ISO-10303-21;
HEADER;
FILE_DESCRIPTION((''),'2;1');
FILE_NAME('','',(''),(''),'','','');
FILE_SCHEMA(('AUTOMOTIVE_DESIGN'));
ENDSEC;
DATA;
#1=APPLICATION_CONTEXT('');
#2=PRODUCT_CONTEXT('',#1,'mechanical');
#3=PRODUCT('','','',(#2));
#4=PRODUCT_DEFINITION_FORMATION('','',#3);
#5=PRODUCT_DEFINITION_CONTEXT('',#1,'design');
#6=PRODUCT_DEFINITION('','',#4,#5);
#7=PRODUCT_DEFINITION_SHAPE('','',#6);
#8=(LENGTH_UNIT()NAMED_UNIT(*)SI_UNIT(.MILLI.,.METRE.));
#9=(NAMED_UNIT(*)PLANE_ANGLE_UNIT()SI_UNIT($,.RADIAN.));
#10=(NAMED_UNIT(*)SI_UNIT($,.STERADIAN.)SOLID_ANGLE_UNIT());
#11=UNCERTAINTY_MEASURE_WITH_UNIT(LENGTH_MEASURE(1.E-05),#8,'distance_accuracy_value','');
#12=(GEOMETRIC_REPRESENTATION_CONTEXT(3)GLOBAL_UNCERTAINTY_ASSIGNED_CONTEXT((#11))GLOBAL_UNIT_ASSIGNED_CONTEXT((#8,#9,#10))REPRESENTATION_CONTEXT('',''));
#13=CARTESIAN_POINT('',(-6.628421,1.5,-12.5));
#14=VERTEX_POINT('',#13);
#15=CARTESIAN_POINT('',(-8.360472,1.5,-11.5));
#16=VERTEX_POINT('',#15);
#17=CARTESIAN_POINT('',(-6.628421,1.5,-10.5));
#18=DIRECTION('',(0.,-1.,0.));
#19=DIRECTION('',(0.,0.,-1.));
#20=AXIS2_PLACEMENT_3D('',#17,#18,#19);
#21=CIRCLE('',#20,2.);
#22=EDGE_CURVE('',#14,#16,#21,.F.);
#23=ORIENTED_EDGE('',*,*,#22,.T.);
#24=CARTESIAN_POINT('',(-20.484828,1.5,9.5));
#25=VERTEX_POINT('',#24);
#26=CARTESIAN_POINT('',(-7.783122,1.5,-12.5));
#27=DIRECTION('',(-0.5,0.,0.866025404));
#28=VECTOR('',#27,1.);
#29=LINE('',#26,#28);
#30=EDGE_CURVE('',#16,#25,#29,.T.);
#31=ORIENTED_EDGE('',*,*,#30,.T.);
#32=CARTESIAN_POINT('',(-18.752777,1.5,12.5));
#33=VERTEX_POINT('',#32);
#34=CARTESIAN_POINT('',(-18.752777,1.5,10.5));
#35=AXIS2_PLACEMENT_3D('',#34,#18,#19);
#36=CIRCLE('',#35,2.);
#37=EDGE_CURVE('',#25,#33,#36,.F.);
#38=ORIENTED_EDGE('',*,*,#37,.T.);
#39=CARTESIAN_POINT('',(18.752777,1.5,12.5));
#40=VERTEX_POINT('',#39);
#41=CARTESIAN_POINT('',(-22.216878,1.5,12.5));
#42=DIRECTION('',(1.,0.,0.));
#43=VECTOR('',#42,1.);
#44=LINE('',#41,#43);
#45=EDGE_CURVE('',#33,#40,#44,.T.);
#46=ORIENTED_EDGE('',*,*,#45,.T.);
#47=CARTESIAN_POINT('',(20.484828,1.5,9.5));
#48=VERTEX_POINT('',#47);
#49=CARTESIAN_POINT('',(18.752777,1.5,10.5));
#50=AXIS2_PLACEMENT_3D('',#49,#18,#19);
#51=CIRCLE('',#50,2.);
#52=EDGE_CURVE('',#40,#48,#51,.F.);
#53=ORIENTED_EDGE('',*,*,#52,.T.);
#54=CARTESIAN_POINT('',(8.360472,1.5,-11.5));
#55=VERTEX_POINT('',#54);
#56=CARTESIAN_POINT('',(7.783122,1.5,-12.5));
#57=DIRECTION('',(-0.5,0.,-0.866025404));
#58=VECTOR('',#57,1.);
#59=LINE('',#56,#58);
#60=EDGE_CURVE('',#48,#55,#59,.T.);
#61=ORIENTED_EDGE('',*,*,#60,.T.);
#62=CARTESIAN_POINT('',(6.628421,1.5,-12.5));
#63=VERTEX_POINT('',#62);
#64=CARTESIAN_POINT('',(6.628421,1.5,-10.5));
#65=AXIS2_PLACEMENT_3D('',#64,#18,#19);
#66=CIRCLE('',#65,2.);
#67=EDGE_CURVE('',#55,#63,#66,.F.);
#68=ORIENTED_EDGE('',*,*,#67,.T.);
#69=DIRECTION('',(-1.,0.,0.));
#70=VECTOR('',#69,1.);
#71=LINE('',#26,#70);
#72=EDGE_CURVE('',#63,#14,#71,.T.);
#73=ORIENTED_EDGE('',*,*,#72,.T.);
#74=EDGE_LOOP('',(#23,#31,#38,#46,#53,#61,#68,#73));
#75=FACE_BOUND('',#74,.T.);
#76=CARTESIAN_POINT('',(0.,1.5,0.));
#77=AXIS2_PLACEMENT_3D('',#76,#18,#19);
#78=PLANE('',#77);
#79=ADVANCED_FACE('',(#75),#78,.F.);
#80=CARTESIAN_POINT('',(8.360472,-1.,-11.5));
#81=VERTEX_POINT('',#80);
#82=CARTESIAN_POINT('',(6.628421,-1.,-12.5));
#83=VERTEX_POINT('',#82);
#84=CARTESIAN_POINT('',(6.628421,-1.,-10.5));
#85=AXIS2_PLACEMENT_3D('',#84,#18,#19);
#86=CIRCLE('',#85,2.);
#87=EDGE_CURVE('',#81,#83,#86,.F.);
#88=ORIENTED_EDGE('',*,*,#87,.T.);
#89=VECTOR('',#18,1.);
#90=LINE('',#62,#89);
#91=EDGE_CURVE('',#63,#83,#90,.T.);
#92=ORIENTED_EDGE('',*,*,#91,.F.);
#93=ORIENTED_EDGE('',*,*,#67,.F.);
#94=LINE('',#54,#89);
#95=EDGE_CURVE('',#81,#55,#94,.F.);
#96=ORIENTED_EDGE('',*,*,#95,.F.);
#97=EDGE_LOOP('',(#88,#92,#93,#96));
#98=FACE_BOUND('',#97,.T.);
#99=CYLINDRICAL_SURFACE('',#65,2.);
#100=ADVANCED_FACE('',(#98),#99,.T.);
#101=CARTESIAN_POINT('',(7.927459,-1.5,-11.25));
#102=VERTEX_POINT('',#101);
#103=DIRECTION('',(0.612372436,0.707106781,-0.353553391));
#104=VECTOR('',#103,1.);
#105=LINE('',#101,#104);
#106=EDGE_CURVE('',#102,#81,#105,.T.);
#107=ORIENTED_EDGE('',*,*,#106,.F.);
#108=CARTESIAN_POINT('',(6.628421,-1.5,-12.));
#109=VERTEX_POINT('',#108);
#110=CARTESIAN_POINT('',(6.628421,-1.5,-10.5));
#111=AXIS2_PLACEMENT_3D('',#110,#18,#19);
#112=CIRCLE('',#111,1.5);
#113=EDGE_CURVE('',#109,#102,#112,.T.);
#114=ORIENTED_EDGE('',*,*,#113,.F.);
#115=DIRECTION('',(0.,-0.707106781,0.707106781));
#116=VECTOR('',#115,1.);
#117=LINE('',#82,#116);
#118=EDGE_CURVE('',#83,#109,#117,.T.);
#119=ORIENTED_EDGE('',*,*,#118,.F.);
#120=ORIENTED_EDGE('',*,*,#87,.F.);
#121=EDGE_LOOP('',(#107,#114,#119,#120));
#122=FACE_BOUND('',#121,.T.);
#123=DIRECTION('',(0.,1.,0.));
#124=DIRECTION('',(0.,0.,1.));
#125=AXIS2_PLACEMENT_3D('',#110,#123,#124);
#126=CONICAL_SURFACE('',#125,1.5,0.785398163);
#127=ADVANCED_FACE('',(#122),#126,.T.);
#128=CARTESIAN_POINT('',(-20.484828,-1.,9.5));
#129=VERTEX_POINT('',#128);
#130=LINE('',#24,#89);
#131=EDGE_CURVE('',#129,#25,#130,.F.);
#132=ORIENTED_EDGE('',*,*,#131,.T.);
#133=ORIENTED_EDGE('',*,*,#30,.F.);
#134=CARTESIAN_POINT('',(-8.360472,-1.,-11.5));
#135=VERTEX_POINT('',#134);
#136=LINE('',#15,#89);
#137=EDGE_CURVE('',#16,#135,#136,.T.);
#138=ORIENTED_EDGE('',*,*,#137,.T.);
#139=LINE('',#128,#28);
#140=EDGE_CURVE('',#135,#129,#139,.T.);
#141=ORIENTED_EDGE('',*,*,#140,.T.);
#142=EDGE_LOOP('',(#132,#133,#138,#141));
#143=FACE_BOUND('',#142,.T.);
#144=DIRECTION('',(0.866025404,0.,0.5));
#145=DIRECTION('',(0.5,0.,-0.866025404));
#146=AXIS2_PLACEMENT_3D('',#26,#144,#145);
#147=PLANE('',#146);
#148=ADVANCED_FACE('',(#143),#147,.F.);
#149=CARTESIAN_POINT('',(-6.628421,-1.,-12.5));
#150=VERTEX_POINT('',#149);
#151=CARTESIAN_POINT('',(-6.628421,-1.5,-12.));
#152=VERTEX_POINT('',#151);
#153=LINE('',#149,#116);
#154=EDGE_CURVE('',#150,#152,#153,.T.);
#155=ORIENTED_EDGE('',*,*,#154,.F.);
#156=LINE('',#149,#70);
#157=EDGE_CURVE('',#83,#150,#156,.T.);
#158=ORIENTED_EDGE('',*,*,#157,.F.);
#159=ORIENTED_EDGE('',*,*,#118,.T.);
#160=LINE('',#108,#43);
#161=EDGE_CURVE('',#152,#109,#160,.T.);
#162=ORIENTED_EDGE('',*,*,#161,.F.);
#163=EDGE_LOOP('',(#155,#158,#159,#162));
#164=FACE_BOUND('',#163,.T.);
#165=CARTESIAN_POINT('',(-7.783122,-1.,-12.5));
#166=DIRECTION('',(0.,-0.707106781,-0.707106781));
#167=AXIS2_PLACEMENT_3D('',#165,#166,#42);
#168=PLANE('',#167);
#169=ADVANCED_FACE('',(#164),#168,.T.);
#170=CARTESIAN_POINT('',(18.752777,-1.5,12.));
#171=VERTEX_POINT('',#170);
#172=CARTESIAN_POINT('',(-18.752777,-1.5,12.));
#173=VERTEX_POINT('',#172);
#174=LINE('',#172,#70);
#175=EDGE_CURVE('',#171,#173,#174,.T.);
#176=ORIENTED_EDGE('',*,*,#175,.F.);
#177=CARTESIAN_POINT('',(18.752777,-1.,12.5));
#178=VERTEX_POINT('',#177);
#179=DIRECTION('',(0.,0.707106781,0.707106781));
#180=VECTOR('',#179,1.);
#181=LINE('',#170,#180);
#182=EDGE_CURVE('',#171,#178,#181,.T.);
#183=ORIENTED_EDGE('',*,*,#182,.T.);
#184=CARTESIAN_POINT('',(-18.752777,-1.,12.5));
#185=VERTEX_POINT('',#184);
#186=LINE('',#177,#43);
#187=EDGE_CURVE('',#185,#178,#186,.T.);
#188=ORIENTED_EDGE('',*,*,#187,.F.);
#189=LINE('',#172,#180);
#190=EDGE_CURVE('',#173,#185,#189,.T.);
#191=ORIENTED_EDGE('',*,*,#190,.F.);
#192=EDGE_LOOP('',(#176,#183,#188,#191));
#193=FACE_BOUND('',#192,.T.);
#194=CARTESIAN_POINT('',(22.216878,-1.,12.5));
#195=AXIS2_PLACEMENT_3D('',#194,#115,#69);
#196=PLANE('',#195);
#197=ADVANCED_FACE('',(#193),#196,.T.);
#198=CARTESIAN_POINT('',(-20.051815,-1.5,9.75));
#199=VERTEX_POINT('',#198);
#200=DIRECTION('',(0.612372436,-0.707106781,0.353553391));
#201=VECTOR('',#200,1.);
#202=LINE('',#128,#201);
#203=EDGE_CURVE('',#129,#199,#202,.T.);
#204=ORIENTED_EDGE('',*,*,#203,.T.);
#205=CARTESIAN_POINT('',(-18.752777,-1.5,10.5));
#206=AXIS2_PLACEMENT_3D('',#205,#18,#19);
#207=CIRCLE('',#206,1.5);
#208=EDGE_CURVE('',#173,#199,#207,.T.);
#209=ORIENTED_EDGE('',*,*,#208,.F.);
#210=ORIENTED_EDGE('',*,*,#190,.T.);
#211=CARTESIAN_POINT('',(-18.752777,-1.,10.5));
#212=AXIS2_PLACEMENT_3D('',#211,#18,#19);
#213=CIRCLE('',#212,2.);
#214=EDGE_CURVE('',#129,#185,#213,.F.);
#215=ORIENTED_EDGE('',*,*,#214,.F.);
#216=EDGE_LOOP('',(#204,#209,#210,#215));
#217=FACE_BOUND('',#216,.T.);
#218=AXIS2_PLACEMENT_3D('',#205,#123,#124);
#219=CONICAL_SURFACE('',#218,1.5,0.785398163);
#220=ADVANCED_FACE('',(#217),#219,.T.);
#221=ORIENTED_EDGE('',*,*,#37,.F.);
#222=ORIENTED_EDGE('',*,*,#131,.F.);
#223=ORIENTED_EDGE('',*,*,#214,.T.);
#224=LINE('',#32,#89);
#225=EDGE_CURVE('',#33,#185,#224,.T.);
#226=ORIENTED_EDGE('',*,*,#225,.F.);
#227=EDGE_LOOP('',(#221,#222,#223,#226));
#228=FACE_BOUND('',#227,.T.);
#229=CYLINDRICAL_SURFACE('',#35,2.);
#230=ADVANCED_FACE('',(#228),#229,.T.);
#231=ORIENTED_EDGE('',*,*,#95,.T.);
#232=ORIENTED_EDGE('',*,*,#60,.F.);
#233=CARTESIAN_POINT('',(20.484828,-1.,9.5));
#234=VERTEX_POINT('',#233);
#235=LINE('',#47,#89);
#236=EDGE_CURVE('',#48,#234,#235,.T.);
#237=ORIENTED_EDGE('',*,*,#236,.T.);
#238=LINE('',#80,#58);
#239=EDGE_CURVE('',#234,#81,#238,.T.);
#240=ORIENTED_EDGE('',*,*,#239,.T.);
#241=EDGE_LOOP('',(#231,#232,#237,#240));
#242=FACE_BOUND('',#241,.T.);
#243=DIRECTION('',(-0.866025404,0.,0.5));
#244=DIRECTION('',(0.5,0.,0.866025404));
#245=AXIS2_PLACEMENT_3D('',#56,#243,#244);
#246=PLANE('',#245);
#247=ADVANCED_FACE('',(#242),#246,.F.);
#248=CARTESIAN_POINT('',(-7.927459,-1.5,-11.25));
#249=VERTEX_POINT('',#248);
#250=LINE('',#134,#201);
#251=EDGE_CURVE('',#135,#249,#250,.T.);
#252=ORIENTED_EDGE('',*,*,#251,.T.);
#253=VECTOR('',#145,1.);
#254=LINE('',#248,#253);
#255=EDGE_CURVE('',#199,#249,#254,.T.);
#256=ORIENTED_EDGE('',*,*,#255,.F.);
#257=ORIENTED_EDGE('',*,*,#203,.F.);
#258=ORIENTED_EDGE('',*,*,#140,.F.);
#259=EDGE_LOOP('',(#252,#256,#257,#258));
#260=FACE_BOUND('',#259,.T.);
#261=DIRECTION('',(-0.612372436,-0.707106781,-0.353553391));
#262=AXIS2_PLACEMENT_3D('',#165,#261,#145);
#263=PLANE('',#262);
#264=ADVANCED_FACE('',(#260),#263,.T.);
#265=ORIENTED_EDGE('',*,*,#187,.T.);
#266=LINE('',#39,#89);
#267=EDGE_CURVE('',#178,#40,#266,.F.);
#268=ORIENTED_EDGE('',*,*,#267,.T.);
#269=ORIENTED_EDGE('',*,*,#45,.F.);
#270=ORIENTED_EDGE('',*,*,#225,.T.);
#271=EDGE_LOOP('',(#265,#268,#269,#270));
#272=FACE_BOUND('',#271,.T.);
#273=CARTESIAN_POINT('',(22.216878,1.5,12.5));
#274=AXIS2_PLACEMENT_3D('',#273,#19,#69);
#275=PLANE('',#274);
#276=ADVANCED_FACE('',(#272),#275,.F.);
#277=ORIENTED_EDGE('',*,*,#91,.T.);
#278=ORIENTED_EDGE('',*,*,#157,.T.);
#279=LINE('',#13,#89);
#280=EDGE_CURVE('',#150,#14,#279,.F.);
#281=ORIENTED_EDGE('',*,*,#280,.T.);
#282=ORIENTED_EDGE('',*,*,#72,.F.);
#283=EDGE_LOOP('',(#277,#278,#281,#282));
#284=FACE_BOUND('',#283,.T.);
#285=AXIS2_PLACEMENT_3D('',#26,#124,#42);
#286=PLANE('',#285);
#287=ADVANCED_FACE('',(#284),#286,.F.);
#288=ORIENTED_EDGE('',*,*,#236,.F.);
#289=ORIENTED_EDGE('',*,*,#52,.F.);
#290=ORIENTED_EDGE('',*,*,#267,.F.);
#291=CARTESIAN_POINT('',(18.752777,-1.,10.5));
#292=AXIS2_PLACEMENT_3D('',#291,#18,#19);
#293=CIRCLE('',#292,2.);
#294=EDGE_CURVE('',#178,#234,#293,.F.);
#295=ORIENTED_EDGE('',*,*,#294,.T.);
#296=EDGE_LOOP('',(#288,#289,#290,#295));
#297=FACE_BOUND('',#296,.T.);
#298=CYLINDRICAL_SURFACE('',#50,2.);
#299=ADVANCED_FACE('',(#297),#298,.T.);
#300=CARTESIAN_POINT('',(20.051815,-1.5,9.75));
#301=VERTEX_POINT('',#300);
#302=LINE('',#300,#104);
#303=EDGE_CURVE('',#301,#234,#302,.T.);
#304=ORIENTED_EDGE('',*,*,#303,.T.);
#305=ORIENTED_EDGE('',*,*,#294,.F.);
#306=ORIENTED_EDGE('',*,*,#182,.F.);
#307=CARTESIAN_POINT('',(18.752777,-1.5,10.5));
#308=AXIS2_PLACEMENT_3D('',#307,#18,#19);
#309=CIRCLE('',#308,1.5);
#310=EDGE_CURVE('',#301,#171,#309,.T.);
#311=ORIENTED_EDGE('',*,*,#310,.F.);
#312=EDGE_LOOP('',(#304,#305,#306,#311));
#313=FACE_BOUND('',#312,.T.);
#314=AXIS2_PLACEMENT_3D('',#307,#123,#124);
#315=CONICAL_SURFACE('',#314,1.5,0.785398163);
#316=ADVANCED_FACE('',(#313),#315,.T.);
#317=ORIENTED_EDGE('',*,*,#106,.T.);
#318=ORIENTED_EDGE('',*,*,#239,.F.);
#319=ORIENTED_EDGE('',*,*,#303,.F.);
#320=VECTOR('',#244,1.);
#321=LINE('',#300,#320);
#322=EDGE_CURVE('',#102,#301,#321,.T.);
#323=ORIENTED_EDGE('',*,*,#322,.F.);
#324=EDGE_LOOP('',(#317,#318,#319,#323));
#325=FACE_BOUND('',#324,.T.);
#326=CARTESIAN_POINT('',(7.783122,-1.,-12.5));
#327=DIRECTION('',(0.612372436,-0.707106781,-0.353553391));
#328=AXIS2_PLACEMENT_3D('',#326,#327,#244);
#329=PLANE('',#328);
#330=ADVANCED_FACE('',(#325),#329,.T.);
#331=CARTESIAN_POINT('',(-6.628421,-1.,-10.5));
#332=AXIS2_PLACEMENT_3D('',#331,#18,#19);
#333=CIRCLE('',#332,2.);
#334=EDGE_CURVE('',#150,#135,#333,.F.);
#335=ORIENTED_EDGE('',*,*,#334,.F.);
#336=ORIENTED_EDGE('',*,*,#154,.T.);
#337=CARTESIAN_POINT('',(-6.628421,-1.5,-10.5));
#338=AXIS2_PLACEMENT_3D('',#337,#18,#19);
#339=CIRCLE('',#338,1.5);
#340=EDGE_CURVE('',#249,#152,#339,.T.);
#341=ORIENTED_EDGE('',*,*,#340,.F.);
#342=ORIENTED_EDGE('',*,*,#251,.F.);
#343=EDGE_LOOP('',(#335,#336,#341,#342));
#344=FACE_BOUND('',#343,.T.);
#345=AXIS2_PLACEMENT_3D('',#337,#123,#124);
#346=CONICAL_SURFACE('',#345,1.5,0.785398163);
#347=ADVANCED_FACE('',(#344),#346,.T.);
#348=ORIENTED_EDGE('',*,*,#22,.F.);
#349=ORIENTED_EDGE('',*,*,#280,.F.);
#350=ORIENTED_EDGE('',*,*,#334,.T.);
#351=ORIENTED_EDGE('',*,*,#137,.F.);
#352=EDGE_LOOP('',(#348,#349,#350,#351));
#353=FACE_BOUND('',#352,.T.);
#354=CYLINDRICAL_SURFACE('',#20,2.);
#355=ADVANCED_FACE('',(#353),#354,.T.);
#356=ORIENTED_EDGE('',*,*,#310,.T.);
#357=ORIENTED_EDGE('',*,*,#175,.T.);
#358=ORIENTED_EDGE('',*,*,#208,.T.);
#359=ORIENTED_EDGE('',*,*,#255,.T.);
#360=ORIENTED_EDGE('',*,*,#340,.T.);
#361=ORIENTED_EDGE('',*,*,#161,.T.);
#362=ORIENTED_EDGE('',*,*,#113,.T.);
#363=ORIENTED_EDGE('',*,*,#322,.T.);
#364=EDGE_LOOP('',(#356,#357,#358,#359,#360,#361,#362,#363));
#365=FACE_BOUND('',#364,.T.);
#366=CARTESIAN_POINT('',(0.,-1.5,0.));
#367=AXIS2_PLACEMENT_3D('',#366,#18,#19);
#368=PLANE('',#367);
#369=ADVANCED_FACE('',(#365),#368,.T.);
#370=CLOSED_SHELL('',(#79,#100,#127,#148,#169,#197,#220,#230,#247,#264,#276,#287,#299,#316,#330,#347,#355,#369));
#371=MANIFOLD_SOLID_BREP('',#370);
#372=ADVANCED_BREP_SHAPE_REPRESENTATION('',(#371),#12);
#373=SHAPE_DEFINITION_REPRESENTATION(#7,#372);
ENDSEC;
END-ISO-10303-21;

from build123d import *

# Parameters (mm, degrees)
BOSS_EXTRUDE1_DEPTH = 1.5
FILLET5_R           = 2
CHAMFER1_SIZE       = 0.5


with BuildPart() as part:
    # Sketch1 → Boss-Extrude1 (new, symmetric)
    with BuildSketch(Plane(origin=(0, 0, 0), x_dir=(1, 0, 0), z_dir=(0, 1, 0))):
        Polygon((-14.297771125, -12.5), (14.297771125, -12.5), (22.216878365, -12.5), (7.783121635, 12.5), (-7.783121635, 12.5), (-22.216878365, -12.5), align=None)
    extrude(amount=BOSS_EXTRUDE1_DEPTH, both=True)

    # Fillet5
    fillet5_edges = [part.edges().sort_by_distance(p)[0] for p in [
        (-22.216878365, 0, 12.5),
        (-7.783121635, 0, -12.5),
        (7.783121635, 0, -12.5),
        (22.216878365, 0, 12.5),
    ]]
    fillet(fillet5_edges, radius=FILLET5_R)

    # Chamfer1
    chamfer1_edges = [part.edges().sort_by_distance(p)[0] for p in [
        (-14.422649731, -1.5, -1),
        (0, -1.5, 12.5),
        (0, -1.5, -12.5),
        (14.422649731, -1.5, -1),
        (-20.484827557, -1.5, 11.5),
        (20.484827557, -1.5, 11.5),
        (7.628421097, -1.5, -12.232050808),
        (-7.628421097, -1.5, -12.232050808),
    ]]
    chamfer(chamfer1_edges, length=CHAMFER1_SIZE)


solid = part.part
